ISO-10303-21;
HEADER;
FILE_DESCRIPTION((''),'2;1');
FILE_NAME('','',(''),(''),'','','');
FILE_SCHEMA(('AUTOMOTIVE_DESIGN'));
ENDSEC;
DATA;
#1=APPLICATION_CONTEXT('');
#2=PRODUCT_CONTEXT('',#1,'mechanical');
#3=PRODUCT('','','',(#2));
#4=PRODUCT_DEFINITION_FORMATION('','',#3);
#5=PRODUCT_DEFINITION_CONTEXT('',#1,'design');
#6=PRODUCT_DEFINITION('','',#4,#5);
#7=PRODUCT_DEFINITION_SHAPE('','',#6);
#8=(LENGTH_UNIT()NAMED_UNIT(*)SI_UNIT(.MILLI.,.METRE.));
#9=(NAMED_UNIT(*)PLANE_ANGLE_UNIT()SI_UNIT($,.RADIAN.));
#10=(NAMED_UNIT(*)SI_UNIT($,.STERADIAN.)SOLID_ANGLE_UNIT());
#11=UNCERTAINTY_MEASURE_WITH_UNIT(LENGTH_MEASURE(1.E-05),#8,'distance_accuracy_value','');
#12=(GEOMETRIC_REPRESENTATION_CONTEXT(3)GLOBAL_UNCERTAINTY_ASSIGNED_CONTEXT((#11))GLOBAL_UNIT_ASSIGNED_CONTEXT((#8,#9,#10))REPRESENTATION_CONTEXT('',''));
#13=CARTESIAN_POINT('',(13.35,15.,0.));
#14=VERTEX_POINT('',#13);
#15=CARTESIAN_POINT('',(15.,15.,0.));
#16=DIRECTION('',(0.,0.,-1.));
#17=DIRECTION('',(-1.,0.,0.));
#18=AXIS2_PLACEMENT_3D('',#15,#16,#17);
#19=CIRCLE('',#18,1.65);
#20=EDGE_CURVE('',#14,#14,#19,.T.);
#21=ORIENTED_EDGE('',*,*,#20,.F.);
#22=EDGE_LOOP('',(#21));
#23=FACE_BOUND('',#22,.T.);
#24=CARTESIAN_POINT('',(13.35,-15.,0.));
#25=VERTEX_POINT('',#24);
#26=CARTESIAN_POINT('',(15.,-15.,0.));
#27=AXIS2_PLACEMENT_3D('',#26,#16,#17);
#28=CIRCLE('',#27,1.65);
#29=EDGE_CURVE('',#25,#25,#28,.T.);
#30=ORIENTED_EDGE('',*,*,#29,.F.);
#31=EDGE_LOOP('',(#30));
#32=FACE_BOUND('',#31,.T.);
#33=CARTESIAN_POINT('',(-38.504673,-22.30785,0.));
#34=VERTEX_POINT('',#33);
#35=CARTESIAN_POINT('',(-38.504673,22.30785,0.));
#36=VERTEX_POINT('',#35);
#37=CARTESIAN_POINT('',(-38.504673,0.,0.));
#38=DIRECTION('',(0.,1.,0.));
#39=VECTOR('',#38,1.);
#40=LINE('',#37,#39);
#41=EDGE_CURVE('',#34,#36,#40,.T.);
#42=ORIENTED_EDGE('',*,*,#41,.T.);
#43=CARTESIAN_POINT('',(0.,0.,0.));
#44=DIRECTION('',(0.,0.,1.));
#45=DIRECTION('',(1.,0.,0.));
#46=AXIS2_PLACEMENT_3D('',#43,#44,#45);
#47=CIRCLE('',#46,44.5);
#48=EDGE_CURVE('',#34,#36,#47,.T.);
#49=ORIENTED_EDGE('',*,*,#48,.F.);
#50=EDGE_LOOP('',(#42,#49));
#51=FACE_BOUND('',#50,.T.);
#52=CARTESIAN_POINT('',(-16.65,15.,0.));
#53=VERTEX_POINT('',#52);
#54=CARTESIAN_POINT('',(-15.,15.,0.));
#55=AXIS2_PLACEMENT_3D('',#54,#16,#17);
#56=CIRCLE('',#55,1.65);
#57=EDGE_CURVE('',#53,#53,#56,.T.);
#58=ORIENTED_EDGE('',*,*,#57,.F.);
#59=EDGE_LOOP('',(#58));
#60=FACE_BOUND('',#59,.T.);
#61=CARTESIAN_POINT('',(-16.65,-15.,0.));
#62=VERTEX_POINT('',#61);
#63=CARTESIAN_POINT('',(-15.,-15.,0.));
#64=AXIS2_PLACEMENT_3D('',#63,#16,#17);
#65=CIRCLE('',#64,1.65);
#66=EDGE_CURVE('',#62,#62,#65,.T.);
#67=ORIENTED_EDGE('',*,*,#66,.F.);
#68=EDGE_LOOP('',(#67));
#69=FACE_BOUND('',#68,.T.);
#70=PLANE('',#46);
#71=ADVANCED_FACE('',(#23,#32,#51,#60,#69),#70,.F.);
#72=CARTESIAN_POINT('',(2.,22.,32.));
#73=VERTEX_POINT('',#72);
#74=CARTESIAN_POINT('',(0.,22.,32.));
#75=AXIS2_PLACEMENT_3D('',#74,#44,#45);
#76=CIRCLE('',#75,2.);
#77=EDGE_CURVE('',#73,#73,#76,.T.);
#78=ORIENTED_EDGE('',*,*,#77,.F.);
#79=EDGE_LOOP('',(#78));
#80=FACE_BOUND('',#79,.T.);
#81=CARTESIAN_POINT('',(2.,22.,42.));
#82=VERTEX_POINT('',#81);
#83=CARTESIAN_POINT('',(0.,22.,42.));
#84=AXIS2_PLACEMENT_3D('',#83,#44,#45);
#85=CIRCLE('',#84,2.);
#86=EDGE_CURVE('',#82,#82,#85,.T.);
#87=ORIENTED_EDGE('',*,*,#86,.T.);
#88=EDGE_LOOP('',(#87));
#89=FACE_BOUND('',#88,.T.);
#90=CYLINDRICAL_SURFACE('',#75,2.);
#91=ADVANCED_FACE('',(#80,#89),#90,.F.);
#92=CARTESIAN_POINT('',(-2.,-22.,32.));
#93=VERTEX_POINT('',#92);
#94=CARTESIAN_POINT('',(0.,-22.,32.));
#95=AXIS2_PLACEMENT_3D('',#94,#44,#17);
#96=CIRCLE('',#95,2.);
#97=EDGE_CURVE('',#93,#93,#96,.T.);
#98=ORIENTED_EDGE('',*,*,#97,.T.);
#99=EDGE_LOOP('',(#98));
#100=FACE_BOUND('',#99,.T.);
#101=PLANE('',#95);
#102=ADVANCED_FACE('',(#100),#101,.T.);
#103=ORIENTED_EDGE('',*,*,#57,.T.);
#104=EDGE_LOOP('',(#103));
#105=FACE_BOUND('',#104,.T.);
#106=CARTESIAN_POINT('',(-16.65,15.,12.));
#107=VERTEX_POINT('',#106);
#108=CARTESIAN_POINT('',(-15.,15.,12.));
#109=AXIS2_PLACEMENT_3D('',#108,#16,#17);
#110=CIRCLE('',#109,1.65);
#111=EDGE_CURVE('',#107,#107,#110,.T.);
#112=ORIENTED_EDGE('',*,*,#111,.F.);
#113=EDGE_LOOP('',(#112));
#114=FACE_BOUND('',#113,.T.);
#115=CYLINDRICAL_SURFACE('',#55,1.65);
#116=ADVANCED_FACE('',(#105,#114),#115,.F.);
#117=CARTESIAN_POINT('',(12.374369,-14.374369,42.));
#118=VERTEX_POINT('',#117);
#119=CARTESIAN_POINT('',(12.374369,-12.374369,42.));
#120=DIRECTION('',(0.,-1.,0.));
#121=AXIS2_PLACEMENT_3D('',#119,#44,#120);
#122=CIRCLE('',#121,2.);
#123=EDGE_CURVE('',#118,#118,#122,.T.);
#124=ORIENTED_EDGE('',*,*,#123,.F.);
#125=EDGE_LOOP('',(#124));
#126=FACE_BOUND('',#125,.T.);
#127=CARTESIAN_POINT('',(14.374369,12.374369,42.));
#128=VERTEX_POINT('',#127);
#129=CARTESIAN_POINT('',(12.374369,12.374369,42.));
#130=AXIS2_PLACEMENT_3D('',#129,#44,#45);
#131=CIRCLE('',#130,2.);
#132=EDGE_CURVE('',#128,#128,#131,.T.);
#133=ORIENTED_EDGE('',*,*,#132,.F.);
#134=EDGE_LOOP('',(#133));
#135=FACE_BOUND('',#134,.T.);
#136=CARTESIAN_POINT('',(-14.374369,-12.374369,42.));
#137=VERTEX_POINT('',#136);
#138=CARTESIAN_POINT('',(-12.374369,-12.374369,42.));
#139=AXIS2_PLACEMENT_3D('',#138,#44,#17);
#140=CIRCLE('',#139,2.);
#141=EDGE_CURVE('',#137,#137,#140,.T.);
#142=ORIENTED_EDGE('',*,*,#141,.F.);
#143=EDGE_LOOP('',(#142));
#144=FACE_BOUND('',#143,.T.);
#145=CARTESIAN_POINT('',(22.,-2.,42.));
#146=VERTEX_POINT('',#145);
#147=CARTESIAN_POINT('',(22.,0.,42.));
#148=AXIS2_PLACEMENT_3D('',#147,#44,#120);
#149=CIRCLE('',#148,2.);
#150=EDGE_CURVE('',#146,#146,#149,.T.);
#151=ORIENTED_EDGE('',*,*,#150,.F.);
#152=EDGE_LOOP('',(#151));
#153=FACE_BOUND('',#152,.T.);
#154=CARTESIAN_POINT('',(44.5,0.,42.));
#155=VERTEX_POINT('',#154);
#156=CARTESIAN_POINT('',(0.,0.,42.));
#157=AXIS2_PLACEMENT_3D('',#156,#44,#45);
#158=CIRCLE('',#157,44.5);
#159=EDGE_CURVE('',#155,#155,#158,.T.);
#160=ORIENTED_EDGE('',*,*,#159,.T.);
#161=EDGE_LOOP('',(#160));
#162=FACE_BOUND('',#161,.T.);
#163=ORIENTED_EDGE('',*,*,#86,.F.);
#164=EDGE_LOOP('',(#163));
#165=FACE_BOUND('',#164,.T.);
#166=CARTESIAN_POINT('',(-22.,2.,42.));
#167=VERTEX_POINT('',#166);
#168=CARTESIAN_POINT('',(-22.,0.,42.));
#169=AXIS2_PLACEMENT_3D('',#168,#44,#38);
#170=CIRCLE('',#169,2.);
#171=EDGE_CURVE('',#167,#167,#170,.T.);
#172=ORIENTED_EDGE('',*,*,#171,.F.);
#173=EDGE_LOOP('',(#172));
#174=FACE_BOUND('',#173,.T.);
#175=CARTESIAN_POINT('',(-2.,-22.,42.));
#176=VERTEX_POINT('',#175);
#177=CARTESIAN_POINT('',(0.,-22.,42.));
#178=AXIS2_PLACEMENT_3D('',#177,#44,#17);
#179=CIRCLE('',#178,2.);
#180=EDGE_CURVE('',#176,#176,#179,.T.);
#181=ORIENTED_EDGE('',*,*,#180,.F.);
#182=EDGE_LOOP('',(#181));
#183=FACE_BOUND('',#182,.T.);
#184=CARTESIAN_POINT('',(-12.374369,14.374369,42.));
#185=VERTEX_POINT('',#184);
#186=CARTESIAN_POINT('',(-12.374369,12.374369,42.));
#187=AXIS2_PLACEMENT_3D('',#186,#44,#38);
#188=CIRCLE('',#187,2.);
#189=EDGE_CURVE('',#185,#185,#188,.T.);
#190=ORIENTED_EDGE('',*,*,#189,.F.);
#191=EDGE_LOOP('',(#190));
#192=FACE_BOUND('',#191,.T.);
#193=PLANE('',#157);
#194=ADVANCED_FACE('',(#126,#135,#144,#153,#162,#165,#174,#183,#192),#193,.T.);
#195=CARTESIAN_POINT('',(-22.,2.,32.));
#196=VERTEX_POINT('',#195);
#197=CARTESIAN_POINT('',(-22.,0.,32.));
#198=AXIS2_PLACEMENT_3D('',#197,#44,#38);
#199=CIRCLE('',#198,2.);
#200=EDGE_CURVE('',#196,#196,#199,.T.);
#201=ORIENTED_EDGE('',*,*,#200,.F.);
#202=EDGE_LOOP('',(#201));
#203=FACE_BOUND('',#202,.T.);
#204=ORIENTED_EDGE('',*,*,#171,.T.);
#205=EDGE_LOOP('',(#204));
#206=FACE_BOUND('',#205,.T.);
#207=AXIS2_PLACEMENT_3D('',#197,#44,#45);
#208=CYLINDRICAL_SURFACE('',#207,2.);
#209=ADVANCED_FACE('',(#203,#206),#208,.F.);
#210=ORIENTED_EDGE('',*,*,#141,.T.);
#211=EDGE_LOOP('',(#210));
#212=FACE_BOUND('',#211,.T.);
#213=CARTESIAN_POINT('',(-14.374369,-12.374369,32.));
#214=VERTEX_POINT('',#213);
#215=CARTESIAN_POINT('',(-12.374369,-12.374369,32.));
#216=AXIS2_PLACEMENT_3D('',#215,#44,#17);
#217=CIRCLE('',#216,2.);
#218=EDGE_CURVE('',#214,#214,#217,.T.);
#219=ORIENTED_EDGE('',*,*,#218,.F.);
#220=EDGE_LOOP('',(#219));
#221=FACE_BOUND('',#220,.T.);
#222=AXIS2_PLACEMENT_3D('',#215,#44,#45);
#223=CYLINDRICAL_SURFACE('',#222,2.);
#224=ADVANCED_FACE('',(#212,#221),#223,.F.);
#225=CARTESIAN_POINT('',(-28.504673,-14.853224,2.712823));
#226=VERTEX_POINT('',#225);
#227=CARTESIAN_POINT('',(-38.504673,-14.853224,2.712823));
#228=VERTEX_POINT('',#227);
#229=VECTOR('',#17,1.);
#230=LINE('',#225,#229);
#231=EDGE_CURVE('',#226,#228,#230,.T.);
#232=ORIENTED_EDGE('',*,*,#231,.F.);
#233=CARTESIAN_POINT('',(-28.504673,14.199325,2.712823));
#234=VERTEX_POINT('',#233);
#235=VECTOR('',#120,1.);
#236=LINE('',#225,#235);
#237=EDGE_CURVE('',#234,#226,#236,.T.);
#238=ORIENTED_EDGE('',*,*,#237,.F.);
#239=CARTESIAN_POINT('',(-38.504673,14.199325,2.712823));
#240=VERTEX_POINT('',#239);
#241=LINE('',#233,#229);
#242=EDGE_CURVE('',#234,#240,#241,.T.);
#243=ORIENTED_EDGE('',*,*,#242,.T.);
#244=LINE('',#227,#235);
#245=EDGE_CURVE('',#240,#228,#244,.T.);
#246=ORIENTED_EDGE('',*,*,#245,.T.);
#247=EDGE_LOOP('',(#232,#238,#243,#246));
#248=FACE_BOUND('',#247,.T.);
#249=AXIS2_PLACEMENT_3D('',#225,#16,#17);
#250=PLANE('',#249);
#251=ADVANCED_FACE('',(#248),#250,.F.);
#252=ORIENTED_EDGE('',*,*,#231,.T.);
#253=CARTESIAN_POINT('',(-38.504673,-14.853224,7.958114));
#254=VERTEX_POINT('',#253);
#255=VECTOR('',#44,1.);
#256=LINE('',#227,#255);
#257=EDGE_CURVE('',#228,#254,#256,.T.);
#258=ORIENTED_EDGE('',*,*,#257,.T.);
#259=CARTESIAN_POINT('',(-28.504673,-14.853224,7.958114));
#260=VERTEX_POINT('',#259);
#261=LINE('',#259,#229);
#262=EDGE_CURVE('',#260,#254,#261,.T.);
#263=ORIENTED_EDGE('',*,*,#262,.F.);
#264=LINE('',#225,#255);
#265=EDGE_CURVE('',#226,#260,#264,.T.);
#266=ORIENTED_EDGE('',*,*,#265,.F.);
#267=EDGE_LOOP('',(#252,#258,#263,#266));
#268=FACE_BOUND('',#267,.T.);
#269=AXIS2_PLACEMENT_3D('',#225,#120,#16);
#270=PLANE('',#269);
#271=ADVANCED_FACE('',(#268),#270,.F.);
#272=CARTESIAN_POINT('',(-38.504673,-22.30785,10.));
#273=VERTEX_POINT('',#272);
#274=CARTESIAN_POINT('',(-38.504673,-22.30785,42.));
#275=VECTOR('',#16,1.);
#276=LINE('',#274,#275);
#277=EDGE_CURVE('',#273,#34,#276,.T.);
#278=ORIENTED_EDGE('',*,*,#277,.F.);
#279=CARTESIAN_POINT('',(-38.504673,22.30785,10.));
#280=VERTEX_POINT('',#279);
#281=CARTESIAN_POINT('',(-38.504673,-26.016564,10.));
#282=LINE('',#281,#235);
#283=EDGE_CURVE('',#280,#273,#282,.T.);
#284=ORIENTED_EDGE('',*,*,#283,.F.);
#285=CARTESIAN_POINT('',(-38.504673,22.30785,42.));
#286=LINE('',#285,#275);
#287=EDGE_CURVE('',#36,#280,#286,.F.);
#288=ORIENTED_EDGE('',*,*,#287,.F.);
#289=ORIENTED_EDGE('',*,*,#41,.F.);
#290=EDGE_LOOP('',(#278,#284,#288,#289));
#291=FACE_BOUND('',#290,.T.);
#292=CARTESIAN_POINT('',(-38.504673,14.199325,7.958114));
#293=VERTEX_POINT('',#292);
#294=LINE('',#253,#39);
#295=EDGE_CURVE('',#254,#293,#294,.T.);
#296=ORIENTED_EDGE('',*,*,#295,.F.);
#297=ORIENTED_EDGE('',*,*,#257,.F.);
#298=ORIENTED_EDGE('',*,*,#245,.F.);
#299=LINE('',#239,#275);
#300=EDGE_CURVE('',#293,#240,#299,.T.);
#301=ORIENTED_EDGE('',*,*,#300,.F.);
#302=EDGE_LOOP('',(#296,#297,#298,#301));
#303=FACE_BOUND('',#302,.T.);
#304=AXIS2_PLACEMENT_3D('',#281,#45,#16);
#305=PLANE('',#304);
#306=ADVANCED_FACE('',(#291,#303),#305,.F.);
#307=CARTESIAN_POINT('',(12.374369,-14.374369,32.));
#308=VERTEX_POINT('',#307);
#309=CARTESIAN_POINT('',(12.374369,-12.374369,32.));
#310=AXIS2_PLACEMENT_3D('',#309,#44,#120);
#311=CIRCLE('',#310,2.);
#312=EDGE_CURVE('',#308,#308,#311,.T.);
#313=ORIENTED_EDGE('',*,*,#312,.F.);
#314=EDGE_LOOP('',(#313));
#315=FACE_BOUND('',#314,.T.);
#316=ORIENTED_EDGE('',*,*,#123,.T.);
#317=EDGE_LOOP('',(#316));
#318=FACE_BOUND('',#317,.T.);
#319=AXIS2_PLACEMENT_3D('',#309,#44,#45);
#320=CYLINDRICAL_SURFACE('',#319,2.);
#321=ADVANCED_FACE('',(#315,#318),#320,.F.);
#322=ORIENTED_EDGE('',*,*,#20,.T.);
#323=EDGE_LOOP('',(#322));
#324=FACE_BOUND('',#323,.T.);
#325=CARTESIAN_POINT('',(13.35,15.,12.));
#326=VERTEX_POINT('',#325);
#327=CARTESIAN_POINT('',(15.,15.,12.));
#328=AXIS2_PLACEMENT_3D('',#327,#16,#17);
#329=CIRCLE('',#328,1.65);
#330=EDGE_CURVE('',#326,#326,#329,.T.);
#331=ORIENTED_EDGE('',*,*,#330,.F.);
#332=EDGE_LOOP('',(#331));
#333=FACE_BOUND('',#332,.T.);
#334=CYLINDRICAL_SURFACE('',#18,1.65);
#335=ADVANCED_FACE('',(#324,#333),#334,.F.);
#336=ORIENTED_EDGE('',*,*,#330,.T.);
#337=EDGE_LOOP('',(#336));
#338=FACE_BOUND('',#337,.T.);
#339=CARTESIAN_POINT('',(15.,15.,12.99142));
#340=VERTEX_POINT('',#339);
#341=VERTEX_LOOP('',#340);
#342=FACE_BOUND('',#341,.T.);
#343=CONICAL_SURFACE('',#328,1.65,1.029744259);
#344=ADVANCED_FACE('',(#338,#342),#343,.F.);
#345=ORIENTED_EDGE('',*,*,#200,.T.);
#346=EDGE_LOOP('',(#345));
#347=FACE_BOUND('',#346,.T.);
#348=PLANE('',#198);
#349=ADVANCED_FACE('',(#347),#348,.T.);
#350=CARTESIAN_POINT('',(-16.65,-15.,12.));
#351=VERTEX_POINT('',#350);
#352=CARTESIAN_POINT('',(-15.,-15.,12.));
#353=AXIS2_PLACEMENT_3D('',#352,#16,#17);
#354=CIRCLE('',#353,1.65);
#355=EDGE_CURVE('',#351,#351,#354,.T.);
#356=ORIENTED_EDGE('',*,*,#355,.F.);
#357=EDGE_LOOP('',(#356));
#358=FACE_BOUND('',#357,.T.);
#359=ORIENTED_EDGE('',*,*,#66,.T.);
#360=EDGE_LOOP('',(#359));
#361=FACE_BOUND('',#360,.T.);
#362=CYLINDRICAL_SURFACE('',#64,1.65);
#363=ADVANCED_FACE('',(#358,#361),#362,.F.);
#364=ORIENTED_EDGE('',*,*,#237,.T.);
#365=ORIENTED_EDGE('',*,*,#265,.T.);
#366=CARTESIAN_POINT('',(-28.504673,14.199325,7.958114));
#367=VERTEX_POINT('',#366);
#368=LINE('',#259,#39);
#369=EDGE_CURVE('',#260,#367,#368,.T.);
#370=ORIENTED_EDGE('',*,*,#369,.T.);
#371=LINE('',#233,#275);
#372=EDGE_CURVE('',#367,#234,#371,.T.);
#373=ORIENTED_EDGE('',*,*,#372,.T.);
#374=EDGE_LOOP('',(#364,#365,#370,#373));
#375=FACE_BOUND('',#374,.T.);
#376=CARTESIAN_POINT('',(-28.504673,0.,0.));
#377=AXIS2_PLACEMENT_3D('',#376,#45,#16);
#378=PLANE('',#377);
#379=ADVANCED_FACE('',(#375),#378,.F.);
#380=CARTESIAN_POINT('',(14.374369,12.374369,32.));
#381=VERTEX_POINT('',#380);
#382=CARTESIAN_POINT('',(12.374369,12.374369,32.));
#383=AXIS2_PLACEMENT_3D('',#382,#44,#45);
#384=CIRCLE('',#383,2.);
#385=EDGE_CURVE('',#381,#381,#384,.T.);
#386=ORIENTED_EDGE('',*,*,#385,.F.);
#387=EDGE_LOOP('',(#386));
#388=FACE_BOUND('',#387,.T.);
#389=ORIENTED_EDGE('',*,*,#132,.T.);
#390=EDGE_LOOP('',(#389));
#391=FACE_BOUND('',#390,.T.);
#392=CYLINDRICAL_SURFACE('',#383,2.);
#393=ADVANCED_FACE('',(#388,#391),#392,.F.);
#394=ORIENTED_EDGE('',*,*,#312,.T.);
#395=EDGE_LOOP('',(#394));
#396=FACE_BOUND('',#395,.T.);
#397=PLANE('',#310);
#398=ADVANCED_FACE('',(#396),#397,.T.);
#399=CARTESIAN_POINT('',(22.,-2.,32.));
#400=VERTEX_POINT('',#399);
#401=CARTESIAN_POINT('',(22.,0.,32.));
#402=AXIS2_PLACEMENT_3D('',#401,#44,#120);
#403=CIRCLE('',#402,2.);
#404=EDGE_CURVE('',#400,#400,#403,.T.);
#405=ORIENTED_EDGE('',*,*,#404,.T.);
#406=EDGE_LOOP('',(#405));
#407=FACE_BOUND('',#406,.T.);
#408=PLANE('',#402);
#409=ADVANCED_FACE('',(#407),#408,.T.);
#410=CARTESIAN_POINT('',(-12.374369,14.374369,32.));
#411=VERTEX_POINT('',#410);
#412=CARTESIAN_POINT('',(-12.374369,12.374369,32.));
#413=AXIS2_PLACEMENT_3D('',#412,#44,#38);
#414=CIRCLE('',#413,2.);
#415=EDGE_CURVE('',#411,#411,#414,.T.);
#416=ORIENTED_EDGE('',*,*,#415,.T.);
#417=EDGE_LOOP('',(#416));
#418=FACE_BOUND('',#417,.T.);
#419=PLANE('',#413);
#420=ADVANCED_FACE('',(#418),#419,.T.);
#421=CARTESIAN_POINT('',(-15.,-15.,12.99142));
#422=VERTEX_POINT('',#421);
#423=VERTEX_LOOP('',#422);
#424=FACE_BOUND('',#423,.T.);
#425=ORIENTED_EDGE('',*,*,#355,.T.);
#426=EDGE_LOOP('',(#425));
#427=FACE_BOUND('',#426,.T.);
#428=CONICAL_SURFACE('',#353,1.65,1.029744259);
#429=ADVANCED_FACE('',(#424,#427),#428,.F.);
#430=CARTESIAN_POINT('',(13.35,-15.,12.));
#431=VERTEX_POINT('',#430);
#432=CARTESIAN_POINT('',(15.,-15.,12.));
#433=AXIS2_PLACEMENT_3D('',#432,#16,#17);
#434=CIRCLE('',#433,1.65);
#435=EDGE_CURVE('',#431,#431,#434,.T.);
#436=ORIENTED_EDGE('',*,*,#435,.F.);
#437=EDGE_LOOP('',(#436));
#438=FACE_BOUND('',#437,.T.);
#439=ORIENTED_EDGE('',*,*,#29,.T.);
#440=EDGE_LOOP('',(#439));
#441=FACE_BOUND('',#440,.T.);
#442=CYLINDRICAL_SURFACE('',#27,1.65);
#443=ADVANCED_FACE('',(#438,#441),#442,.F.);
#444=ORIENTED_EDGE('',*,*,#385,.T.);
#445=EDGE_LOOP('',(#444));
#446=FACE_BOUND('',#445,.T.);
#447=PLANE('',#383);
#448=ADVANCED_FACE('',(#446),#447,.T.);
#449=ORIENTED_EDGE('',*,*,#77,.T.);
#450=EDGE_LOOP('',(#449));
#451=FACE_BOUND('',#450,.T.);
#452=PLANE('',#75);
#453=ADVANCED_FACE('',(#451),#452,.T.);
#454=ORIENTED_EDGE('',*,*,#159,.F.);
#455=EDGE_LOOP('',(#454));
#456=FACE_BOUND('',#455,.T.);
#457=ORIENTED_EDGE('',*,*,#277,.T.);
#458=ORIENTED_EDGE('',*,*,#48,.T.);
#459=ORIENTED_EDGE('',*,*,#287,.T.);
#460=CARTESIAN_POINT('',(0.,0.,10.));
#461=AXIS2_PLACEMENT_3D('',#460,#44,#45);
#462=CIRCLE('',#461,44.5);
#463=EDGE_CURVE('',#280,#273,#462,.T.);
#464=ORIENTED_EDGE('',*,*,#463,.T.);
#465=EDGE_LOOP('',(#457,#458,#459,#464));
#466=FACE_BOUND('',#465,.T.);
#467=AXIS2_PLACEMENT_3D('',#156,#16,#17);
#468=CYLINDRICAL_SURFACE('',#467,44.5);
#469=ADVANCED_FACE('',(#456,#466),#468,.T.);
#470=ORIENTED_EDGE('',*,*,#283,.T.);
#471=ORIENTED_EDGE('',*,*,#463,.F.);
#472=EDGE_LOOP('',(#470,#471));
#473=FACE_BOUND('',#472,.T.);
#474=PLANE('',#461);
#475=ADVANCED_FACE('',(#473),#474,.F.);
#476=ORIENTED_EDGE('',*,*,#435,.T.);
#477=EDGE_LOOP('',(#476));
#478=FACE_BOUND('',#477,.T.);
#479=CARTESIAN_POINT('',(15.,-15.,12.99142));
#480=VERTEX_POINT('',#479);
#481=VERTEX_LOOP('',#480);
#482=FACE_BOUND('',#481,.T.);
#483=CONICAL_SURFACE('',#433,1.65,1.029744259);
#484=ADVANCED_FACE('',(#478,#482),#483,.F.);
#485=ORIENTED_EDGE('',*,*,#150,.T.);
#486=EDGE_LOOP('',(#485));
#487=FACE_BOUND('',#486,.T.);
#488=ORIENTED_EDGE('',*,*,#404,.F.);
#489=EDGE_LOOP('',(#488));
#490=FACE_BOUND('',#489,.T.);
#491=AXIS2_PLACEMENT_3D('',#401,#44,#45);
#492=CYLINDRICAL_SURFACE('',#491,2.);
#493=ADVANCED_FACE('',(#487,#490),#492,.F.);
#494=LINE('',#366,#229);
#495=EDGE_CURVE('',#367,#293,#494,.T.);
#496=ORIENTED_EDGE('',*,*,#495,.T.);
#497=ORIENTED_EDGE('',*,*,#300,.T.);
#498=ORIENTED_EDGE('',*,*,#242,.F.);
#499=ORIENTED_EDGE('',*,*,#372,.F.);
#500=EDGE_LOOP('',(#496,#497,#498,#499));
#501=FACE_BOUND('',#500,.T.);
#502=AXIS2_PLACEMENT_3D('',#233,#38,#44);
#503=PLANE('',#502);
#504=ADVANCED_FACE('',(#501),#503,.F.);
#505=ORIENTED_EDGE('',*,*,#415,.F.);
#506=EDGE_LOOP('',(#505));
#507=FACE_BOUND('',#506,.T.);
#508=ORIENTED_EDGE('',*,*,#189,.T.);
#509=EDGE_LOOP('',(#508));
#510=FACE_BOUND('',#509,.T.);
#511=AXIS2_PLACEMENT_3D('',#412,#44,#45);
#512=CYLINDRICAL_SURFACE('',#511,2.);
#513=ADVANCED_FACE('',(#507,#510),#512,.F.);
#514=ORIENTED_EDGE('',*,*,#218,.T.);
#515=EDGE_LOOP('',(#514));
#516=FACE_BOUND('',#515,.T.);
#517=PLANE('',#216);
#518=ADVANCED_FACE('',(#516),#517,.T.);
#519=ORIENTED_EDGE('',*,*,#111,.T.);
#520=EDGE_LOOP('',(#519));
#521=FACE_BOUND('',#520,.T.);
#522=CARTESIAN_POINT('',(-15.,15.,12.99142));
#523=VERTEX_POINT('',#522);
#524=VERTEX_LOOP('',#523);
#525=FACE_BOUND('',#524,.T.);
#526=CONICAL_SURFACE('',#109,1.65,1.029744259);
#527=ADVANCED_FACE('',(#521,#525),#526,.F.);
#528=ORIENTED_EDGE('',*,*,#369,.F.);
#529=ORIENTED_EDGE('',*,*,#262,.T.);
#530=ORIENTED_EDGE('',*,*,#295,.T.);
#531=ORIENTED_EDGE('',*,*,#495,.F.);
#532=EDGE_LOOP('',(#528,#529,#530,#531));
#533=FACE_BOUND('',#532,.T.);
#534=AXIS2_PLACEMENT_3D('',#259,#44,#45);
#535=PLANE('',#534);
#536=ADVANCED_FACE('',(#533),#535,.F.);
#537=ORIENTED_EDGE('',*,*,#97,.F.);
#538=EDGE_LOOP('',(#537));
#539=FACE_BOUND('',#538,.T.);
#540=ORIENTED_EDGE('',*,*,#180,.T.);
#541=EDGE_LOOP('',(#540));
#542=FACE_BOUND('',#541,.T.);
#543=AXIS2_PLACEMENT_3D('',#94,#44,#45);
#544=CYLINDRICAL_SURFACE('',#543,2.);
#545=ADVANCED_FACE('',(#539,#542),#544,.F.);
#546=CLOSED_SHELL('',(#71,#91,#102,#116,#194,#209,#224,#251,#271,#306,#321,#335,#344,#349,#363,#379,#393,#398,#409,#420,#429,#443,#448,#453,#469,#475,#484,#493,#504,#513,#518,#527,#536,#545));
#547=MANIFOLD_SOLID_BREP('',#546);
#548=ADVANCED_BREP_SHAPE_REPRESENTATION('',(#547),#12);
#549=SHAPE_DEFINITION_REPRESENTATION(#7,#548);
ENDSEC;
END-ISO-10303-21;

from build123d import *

# Parameters (mm, degrees)
SKETCH_1_R               = 44.5
EXTRUDE_1_DEPTH          = 42
HOLE_WIZARD_M4_1_D       = 3.3
HOLE_WIZARD_M4_1_DEPTH   = 12
HOLE_WIZARD_M4_1_TIP     = 0.991420021
SKETCH_4_R               = 2
CUT_EXTRUDE_1_DEPTH      = 10
PATTERN_CIRCULAR_1_COUNT = 4
SKETCH_5_W               = 19.478252765
SKETCH_5_H               = 48.547320344
CUT_EXTRUDE_2_DEPTH      = 10
SKETCH_6_W               = 5.245291094
SKETCH_6_H               = 29.052548629
CUT_EXTRUDE_3_DEPTH      = 10


with BuildPart() as part:
    # 草图1 → 凸台-拉伸1 (new body)
    with BuildSketch(Plane.XY):
        with Locations(Location((0, 0, 0), (0, 0, 180))):
            Circle(SKETCH_1_R)
    extrude(amount=EXTRUDE_1_DEPTH)

    # M4 螺纹孔的螺纹孔钻头1
    with Locations(Plane(origin=(15, 15, 0), x_dir=(-1, 0, 0), z_dir=(0, 0, -1))):
        with Locations((0, 0), (30, 0), (30, -30), (0, -30)):
            Hole(HOLE_WIZARD_M4_1_D / 2, depth=HOLE_WIZARD_M4_1_DEPTH)
            with Locations((0, 0, -(HOLE_WIZARD_M4_1_DEPTH + HOLE_WIZARD_M4_1_TIP / 2))):  # 118° drill point
                Cone(0, HOLE_WIZARD_M4_1_D / 2, HOLE_WIZARD_M4_1_TIP, mode=Mode.SUBTRACT)

    # 草图4 → 切除-拉伸1 (cut)
    with BuildSketch(Plane.XY.offset(42)):
        with Locations((0, 22)):
            Circle(SKETCH_4_R)
        with Locations((12.374368671, 12.374368671)):
            Circle(SKETCH_4_R)
    cut_extrude_1 = extrude(amount=-CUT_EXTRUDE_1_DEPTH, mode=Mode.SUBTRACT)

    # 阵列(圆周)1: 切除-拉伸1 ×4 about axis
    pattern_circular_1_axis = Axis((0, 0, 0), (0, 0, 1))
    for i in range(1, PATTERN_CIRCULAR_1_COUNT):
        add(cut_extrude_1.rotate(pattern_circular_1_axis, i * 360 / PATTERN_CIRCULAR_1_COUNT), mode=Mode.SUBTRACT)

    # 草图5 → 切除-拉伸2 (cut)
    with BuildSketch(Plane(origin=(0, 0, 0), x_dir=(-1, 0, 0), z_dir=(0, 0, -1))):
        with Locations((48.243799035, -1.742903496)):
            Rectangle(SKETCH_5_W, SKETCH_5_H)
    extrude(amount=-CUT_EXTRUDE_2_DEPTH, mode=Mode.SUBTRACT)

    # 草图6 → 切除-拉伸3 (cut)
    with BuildSketch(Plane.ZY.offset(38.504672652)):
        with Locations((5.335468617, -0.326949721)):
            Rectangle(SKETCH_6_W, SKETCH_6_H)
    extrude(amount=-CUT_EXTRUDE_3_DEPTH, mode=Mode.SUBTRACT)


solid = part.part
